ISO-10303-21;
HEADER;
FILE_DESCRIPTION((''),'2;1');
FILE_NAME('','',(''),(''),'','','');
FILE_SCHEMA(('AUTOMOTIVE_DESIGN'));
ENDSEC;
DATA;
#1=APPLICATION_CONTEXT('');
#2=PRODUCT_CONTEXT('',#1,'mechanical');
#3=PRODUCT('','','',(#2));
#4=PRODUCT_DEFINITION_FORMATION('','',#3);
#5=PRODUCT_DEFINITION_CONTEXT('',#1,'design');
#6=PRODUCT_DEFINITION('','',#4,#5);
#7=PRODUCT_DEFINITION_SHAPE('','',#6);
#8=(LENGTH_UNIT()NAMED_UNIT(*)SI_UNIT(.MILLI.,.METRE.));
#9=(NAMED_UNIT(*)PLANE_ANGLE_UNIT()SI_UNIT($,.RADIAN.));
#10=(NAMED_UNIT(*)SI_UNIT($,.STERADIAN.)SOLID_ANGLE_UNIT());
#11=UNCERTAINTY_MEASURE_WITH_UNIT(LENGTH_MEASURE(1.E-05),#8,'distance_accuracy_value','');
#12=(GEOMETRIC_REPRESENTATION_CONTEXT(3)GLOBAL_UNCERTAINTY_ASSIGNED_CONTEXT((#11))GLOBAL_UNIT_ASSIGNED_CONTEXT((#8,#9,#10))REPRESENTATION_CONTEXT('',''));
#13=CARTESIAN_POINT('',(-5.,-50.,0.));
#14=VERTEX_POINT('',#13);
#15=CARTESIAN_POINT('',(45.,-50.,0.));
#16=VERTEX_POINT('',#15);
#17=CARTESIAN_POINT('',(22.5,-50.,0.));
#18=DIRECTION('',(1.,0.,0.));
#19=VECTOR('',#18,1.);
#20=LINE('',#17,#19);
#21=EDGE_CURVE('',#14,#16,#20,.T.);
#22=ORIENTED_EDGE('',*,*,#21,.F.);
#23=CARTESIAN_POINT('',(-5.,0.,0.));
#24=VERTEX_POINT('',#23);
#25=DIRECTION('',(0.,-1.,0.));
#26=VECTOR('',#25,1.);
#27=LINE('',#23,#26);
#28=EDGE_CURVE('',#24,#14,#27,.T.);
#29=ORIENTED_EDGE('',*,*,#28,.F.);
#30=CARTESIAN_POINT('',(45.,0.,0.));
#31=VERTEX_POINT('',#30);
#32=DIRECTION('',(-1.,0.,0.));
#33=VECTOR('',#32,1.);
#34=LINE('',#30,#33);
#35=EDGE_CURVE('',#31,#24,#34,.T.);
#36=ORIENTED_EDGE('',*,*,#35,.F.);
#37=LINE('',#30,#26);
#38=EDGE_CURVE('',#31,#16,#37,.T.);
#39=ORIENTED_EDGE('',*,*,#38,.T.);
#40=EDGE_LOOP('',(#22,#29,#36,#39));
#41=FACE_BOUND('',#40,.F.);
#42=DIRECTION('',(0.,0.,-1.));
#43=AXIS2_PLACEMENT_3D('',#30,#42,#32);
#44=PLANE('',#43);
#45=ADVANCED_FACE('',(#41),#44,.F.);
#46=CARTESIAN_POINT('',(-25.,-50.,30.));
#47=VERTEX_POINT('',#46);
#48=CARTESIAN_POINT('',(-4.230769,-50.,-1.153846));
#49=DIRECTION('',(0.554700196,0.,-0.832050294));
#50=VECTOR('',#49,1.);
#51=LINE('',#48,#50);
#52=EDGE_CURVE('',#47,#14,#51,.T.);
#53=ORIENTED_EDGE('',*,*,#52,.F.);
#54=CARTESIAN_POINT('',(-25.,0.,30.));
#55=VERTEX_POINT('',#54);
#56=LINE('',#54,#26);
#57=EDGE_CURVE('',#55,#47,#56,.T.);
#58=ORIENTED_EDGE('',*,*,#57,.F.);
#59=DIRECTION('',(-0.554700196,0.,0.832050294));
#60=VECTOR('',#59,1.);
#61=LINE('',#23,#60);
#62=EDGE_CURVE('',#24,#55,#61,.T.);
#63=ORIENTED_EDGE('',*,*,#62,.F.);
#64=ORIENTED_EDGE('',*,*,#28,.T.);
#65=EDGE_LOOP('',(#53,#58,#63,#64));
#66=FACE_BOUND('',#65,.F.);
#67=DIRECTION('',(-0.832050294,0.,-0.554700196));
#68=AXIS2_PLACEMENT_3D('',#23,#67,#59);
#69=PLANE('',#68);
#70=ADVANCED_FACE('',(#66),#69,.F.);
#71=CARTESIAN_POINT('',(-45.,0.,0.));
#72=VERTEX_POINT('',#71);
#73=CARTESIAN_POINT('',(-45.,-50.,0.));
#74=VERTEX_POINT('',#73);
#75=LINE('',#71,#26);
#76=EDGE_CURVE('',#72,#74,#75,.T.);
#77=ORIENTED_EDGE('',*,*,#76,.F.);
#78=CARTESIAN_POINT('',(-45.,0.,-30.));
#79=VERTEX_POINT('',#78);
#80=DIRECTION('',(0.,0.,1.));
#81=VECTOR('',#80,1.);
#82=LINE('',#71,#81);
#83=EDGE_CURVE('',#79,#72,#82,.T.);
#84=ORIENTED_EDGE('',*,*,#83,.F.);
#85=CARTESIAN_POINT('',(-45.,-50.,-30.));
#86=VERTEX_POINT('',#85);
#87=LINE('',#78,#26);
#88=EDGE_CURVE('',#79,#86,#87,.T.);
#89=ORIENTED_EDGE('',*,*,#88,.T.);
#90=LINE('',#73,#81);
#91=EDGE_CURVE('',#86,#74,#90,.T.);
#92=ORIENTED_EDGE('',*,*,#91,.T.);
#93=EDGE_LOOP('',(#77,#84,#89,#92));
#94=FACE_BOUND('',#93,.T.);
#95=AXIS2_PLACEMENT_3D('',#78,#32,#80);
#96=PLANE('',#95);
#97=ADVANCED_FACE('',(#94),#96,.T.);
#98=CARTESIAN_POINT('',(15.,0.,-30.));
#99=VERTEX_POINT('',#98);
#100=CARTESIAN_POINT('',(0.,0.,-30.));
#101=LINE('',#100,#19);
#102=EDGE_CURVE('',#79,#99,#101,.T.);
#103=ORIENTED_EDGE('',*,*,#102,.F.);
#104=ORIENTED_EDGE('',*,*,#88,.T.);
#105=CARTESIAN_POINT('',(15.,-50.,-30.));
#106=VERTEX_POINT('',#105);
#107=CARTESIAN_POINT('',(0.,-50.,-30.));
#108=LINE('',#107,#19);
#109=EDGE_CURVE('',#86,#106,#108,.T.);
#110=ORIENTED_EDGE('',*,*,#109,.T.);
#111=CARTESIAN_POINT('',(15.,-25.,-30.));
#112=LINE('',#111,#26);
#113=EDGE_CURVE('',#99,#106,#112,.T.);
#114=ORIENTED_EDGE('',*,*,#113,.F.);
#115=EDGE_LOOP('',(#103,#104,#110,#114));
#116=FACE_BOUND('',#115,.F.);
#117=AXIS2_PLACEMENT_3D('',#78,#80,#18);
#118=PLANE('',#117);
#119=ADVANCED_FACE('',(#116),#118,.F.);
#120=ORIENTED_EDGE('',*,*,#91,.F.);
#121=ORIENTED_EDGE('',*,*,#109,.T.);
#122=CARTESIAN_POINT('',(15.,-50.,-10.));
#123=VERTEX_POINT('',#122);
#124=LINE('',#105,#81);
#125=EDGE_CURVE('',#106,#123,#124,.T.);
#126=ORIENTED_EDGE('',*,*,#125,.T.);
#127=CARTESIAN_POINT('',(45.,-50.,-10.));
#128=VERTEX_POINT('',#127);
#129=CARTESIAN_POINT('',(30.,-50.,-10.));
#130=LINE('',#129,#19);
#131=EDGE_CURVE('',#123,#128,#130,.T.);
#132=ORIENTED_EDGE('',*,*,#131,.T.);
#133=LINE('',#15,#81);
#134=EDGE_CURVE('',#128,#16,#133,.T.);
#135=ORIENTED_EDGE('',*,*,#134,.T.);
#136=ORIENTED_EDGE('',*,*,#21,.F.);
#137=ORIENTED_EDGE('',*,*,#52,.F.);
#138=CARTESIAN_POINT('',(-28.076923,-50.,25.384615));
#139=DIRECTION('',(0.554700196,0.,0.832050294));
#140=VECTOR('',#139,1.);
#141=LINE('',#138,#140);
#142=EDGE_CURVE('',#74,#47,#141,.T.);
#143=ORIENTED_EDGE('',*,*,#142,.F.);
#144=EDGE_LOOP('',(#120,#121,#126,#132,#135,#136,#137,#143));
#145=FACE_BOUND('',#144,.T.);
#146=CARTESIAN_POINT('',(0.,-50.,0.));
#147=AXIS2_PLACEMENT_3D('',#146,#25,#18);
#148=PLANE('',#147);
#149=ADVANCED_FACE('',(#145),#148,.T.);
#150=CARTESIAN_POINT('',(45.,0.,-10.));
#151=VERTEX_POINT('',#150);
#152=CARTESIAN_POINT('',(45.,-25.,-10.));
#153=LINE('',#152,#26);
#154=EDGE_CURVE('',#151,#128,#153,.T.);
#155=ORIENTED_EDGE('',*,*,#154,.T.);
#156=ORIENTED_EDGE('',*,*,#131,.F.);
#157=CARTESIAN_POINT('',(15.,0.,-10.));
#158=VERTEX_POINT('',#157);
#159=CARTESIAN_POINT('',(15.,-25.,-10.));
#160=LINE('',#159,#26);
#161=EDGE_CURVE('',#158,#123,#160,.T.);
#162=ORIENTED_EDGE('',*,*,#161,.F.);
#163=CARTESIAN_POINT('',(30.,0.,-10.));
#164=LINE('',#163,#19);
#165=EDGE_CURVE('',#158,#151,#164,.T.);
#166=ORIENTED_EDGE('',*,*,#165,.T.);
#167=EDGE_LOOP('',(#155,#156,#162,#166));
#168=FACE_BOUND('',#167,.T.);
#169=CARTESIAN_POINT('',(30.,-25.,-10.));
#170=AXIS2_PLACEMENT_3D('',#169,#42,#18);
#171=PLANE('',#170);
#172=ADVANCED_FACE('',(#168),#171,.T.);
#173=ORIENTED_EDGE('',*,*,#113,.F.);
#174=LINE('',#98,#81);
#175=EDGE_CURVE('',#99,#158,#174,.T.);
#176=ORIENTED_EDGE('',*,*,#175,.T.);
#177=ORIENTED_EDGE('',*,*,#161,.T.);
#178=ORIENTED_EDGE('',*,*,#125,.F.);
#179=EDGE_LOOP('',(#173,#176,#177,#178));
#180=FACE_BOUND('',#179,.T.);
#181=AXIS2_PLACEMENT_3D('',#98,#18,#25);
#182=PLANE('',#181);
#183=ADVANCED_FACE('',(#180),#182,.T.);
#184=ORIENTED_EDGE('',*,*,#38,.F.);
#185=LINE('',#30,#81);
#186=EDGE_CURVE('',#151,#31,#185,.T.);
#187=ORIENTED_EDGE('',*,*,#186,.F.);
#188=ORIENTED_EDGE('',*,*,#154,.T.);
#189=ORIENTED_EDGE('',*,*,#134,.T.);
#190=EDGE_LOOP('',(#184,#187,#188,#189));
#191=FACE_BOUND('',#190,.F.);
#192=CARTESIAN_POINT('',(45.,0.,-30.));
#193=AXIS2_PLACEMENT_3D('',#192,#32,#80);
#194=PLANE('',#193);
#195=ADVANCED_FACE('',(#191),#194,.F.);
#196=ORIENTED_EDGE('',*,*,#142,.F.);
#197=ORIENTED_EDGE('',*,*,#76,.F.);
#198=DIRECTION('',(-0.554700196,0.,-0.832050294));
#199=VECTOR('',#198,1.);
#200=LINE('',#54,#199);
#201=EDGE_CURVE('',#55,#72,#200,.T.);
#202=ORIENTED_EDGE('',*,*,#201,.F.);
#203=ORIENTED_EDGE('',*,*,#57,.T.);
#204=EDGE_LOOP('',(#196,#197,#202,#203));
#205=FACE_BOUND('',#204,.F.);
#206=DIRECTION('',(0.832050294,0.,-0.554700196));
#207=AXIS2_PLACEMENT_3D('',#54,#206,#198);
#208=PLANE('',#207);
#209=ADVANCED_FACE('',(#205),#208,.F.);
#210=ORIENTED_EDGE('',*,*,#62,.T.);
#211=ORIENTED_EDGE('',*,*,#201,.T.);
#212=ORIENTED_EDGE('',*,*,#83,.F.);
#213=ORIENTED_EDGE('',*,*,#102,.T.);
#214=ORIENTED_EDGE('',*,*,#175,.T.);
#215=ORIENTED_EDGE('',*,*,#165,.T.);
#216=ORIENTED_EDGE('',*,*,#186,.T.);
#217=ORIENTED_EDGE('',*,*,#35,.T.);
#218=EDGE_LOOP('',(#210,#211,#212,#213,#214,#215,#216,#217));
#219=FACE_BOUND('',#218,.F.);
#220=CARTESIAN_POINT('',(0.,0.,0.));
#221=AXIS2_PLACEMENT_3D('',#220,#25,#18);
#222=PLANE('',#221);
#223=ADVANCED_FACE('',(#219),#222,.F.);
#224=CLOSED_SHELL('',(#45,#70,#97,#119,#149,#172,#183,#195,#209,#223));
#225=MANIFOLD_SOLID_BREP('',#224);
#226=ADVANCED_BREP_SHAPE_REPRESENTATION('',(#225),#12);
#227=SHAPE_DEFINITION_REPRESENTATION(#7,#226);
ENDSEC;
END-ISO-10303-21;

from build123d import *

# Parameters (mm, degrees)
F0_W     = 90
F0_H     = 60
F1_DEPTH = 50
F2_W     = 30
F2_H     = 50
F3_DEPTH = 20
F5_DEPTH = 50.001
F6_DEPTH = 50.001


with BuildPart() as f1:
    # F0 (on Front) → F1 (new body)
    with BuildSketch(Plane.XZ):
        Rectangle(F0_W, F0_H)
    extrude(amount=F1_DEPTH)

    # F2 (on face) → F3 (cut)
    with BuildSketch(Plane(origin=(0, 0, -30), x_dir=(1, 0, 0), z_dir=(0, 0, -1))):
        with Locations((30, 25)):
            Rectangle(F2_W, F2_H)
    extrude(amount=-F3_DEPTH, mode=Mode.SUBTRACT)

    # F4 (on face) → F5 (cut, through all)
    with BuildSketch(Plane(origin=(0, 0, 0), x_dir=(-1, 0, 0), z_dir=(0, 1, 0))):
        Polygon((45, 30), (25, 30), (45, 0), align=None)
    extrude(amount=-F5_DEPTH, mode=Mode.SUBTRACT)

    # F4 (on face) → F6 (cut, through all)
    with BuildSketch(Plane(origin=(0, 0, 0), x_dir=(-1, 0, 0), z_dir=(0, 1, 0))):
        Polygon((-45, 30), (-45, 0), (5, 0), (25, 30), align=None)
    extrude(amount=-F6_DEPTH, mode=Mode.SUBTRACT)


solid = f1.part
